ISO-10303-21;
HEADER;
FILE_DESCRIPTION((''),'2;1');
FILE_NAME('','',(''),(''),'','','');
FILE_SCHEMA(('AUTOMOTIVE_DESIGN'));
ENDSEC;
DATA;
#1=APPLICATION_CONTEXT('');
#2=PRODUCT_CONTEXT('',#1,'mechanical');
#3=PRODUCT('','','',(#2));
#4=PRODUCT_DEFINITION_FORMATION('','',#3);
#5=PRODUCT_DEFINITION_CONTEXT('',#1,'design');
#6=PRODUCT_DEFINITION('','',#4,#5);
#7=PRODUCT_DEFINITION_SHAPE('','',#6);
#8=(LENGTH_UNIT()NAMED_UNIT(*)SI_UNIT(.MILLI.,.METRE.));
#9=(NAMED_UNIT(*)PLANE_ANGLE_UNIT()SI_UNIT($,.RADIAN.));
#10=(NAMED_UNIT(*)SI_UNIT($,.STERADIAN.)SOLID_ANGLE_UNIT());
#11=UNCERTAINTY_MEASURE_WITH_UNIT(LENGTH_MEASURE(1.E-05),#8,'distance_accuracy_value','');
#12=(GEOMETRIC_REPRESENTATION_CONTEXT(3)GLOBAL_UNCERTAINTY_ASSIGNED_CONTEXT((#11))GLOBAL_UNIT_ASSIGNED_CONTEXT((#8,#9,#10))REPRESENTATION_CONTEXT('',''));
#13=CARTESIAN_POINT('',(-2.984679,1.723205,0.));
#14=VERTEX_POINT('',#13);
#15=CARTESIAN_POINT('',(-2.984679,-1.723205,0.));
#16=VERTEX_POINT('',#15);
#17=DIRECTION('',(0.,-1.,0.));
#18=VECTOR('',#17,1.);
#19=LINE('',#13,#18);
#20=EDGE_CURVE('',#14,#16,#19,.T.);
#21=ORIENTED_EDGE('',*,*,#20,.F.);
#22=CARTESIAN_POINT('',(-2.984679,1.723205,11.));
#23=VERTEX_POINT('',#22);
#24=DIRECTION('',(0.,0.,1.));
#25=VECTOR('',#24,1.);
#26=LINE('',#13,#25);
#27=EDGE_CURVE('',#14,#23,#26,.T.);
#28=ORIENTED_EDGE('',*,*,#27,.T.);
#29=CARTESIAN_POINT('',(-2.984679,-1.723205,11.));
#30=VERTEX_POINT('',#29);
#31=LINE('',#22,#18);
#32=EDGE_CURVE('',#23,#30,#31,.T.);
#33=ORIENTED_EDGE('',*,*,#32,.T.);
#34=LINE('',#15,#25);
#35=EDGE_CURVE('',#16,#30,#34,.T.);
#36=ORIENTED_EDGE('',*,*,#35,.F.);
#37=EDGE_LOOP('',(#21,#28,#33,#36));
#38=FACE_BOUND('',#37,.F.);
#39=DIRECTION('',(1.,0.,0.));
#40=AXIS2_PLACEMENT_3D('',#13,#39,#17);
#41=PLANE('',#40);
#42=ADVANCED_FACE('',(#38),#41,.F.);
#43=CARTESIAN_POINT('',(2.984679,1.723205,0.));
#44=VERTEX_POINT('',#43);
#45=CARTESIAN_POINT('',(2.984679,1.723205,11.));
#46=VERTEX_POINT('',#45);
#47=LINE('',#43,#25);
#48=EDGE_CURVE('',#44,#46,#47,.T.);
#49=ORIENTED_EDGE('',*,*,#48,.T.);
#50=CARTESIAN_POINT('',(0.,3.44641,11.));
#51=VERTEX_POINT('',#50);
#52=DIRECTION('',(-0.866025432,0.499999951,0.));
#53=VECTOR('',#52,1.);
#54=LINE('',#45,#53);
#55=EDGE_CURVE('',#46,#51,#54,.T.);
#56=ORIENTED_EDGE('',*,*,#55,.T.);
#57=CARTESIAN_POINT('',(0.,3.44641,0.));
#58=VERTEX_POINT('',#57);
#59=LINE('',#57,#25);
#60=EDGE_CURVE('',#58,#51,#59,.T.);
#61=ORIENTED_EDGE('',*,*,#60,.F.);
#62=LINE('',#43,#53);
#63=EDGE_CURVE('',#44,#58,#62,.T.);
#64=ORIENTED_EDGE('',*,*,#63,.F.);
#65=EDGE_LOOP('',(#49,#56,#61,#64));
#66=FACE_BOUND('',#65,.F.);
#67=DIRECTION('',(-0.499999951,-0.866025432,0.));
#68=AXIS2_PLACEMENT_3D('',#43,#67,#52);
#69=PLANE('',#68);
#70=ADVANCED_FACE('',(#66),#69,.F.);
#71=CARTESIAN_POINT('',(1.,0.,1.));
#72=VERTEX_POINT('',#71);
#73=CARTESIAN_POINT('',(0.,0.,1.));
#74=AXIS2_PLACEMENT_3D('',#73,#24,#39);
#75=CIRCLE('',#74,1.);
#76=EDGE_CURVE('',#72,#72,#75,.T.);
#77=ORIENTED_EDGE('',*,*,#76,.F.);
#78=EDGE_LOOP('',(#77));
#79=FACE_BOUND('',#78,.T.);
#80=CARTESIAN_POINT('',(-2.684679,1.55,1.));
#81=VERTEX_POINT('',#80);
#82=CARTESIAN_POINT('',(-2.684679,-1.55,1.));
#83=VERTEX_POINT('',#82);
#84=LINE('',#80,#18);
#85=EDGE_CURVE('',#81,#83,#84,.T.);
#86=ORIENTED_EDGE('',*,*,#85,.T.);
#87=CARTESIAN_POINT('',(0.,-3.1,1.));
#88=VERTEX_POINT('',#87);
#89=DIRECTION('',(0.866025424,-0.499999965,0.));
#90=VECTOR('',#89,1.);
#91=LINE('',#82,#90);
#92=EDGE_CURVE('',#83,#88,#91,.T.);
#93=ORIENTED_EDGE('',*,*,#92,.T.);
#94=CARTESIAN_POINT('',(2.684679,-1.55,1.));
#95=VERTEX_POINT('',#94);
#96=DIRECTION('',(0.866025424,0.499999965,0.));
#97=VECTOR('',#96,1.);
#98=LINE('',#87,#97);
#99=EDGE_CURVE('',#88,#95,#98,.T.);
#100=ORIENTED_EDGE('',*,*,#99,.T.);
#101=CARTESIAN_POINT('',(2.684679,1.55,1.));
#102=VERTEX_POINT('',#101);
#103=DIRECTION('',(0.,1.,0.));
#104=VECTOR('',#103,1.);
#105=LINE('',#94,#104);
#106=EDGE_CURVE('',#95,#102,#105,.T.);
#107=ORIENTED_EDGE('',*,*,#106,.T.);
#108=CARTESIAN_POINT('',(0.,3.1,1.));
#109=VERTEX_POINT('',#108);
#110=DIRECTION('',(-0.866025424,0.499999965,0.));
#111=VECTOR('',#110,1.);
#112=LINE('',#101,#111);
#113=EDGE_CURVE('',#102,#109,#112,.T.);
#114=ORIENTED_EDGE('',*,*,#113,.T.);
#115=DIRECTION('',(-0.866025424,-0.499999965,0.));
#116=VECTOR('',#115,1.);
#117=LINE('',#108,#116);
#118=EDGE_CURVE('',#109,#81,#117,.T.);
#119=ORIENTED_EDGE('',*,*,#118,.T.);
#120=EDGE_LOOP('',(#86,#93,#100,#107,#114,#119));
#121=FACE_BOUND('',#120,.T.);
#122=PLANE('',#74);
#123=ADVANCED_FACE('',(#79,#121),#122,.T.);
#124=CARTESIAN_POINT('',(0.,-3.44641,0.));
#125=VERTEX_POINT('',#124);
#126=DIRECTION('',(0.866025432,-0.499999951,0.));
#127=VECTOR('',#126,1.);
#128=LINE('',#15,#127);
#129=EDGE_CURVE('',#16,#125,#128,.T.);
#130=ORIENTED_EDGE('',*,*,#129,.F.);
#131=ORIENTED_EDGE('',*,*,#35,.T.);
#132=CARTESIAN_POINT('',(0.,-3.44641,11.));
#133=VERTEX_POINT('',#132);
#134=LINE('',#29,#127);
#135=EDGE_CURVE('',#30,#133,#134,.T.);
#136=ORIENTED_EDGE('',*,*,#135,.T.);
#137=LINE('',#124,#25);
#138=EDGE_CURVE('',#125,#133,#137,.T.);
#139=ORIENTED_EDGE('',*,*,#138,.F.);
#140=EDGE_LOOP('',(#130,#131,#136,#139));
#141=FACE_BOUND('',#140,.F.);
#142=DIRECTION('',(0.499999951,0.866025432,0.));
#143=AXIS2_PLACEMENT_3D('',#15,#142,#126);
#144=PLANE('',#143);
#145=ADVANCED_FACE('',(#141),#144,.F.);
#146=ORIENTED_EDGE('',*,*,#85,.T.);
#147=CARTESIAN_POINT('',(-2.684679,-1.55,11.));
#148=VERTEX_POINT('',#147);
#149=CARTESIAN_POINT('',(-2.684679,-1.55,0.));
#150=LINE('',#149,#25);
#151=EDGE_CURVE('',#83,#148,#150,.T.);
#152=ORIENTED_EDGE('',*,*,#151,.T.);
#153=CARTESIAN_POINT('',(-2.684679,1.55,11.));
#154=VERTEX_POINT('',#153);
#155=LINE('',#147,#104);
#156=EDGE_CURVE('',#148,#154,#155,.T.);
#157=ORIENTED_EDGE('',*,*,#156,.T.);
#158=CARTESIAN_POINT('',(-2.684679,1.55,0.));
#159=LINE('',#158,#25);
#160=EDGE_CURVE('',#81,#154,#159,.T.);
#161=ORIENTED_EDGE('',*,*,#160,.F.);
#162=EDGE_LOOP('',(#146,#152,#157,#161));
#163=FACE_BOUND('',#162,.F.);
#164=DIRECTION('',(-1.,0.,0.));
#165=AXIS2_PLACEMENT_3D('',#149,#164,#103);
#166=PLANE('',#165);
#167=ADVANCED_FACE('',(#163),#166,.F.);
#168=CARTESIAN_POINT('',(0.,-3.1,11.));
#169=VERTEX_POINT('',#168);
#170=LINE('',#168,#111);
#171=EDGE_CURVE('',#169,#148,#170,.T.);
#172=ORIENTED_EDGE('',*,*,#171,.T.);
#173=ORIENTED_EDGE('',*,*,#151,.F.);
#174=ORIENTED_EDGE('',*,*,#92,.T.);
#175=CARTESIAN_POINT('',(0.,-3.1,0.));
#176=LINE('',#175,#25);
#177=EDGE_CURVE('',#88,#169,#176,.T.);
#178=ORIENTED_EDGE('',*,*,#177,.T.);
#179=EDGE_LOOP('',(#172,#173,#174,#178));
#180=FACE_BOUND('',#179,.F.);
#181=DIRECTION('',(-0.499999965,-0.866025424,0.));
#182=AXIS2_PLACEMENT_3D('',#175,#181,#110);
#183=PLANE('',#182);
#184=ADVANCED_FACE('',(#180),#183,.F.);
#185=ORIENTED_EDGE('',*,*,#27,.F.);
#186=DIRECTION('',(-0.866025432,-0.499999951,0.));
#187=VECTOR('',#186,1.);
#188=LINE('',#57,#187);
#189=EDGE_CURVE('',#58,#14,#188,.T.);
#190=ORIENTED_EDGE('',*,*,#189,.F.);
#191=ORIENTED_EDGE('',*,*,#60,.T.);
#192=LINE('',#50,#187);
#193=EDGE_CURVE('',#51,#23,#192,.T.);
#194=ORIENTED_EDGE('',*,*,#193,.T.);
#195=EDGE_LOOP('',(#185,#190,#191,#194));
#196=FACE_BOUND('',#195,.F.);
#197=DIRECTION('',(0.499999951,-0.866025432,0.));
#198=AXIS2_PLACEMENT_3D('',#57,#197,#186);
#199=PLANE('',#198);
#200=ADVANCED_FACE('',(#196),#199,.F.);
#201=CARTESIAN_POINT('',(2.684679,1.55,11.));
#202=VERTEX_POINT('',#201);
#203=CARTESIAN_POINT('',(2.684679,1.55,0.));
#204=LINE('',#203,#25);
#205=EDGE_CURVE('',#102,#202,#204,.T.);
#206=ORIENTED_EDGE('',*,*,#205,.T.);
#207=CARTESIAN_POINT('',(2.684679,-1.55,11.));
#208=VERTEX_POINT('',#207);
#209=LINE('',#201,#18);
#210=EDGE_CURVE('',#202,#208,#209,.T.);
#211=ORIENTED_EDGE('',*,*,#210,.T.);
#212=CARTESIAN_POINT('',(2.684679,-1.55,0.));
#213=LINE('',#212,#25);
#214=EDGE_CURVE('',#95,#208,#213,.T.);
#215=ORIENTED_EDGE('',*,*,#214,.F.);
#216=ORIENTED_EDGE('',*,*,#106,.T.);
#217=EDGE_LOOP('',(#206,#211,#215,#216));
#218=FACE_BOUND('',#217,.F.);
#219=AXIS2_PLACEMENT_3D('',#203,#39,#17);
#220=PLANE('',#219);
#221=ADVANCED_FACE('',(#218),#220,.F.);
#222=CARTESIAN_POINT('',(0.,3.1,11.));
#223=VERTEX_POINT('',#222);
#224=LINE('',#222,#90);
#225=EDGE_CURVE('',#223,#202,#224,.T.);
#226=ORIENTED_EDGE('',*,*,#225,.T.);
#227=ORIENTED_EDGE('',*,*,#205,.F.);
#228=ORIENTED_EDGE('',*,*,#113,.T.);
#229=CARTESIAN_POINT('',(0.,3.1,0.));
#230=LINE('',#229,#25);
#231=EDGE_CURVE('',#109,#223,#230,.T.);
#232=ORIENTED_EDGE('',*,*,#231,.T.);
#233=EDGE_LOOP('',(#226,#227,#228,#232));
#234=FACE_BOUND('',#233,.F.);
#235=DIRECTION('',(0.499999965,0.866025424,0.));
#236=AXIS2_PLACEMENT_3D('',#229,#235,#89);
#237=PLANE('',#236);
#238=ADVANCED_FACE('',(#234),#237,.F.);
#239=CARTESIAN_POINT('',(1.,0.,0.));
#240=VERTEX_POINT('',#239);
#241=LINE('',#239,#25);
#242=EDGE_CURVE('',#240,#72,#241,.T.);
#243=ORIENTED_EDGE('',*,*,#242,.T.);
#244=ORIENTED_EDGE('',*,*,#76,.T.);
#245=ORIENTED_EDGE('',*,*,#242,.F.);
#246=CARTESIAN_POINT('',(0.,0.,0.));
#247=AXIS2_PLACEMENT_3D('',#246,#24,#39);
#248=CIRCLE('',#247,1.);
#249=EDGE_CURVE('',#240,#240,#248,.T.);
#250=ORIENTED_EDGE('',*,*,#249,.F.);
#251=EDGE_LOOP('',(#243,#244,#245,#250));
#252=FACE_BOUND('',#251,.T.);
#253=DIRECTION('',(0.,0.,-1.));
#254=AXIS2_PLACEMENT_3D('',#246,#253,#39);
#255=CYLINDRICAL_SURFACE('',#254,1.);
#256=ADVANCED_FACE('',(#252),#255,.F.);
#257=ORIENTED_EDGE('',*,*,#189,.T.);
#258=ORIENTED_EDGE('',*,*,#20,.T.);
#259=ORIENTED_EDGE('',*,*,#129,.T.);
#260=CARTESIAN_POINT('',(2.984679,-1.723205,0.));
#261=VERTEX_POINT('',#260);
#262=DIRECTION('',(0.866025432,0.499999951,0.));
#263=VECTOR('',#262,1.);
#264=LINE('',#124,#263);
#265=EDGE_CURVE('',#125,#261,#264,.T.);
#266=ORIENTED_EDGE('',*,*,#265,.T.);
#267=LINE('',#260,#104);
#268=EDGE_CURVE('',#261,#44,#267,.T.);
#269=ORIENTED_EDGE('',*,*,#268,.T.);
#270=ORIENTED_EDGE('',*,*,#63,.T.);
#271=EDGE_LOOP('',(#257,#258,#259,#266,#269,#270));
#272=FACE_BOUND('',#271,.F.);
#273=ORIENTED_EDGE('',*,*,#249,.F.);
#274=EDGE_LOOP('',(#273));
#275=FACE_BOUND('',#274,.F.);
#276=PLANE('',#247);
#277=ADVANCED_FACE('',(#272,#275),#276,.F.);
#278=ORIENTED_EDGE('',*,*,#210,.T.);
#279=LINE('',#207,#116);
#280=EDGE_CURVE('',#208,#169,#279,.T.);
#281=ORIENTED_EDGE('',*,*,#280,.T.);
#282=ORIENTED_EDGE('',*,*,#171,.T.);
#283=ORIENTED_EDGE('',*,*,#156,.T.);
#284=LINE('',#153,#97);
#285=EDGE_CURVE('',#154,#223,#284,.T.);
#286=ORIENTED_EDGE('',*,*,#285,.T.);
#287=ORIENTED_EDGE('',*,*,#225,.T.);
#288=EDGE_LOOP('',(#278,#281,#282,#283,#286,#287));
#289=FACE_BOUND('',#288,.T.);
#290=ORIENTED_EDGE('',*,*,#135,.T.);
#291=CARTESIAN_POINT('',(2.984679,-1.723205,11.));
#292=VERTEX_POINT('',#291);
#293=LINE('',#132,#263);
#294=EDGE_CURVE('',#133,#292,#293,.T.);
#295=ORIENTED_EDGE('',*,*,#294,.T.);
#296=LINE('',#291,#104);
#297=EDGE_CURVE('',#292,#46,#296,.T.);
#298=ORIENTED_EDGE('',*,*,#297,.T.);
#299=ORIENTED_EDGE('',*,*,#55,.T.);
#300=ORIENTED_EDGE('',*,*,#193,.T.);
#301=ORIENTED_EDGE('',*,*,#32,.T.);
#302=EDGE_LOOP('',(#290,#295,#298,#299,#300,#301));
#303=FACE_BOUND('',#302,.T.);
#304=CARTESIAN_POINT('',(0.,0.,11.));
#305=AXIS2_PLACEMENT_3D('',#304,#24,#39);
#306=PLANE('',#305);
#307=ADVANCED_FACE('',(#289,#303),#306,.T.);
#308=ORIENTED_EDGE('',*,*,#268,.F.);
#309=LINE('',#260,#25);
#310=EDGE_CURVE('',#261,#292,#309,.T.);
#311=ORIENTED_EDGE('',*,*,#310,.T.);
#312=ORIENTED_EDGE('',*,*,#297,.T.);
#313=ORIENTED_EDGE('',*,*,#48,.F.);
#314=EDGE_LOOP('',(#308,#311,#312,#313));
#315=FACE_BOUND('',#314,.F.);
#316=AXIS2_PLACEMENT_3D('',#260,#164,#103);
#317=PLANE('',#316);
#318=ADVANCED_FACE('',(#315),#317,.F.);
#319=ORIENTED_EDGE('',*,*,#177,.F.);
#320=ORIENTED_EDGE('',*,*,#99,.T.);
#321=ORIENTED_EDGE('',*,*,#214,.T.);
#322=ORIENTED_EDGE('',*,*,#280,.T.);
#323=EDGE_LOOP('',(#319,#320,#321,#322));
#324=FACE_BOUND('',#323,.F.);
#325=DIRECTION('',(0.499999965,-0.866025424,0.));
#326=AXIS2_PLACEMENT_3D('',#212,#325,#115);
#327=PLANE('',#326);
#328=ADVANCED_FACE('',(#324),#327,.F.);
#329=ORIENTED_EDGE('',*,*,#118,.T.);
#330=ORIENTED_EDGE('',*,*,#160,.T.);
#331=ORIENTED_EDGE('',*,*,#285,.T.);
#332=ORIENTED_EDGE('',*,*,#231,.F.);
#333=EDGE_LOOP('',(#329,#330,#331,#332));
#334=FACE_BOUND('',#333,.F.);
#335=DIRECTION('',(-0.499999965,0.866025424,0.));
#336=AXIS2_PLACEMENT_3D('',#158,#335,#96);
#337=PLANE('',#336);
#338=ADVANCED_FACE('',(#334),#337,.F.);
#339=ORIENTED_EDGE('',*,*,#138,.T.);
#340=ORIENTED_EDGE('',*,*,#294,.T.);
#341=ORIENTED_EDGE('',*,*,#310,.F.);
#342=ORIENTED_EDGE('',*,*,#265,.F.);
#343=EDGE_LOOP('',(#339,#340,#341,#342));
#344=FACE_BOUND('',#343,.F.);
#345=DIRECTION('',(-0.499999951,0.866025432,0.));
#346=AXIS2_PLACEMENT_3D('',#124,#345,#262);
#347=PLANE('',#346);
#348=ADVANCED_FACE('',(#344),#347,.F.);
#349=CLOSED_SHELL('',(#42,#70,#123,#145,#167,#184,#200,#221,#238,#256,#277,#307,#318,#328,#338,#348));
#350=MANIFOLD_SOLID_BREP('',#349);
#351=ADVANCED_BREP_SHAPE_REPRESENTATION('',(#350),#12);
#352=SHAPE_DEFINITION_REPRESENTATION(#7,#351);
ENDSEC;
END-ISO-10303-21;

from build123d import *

# Parameters (mm, degrees)
F1_DEPTH = 11
F0_R     = 1
F2_DEPTH = 1


with BuildPart() as f1:
    # F0 (on Top) → F1 (new body)
    with BuildSketch(Plane.XY):
        Polygon((-2.984679, 1.723205), (-2.984679, -1.723205), (0, -3.44641), (2.984679, -1.723205), (2.984679, 1.723205), (0, 3.44641), align=None)
        Polygon((0, 3.1), (2.684679, 1.55), (2.684679, -1.55), (0, -3.1), (-2.684679, -1.55), (-2.684679, 1.55), align=None, mode=Mode.SUBTRACT)
    extrude(amount=F1_DEPTH)

    # F0 (on Top) → F2 (join)
    with BuildSketch(Plane.XY):
        Polygon((2.684679, -1.55), (2.684679, 1.55), (0, 3.1), (-2.684679, 1.55), (-2.684679, -1.55), (0, -3.1), align=None)
        Circle(F0_R, mode=Mode.SUBTRACT)
    extrude(amount=F2_DEPTH)


solid = f1.part
